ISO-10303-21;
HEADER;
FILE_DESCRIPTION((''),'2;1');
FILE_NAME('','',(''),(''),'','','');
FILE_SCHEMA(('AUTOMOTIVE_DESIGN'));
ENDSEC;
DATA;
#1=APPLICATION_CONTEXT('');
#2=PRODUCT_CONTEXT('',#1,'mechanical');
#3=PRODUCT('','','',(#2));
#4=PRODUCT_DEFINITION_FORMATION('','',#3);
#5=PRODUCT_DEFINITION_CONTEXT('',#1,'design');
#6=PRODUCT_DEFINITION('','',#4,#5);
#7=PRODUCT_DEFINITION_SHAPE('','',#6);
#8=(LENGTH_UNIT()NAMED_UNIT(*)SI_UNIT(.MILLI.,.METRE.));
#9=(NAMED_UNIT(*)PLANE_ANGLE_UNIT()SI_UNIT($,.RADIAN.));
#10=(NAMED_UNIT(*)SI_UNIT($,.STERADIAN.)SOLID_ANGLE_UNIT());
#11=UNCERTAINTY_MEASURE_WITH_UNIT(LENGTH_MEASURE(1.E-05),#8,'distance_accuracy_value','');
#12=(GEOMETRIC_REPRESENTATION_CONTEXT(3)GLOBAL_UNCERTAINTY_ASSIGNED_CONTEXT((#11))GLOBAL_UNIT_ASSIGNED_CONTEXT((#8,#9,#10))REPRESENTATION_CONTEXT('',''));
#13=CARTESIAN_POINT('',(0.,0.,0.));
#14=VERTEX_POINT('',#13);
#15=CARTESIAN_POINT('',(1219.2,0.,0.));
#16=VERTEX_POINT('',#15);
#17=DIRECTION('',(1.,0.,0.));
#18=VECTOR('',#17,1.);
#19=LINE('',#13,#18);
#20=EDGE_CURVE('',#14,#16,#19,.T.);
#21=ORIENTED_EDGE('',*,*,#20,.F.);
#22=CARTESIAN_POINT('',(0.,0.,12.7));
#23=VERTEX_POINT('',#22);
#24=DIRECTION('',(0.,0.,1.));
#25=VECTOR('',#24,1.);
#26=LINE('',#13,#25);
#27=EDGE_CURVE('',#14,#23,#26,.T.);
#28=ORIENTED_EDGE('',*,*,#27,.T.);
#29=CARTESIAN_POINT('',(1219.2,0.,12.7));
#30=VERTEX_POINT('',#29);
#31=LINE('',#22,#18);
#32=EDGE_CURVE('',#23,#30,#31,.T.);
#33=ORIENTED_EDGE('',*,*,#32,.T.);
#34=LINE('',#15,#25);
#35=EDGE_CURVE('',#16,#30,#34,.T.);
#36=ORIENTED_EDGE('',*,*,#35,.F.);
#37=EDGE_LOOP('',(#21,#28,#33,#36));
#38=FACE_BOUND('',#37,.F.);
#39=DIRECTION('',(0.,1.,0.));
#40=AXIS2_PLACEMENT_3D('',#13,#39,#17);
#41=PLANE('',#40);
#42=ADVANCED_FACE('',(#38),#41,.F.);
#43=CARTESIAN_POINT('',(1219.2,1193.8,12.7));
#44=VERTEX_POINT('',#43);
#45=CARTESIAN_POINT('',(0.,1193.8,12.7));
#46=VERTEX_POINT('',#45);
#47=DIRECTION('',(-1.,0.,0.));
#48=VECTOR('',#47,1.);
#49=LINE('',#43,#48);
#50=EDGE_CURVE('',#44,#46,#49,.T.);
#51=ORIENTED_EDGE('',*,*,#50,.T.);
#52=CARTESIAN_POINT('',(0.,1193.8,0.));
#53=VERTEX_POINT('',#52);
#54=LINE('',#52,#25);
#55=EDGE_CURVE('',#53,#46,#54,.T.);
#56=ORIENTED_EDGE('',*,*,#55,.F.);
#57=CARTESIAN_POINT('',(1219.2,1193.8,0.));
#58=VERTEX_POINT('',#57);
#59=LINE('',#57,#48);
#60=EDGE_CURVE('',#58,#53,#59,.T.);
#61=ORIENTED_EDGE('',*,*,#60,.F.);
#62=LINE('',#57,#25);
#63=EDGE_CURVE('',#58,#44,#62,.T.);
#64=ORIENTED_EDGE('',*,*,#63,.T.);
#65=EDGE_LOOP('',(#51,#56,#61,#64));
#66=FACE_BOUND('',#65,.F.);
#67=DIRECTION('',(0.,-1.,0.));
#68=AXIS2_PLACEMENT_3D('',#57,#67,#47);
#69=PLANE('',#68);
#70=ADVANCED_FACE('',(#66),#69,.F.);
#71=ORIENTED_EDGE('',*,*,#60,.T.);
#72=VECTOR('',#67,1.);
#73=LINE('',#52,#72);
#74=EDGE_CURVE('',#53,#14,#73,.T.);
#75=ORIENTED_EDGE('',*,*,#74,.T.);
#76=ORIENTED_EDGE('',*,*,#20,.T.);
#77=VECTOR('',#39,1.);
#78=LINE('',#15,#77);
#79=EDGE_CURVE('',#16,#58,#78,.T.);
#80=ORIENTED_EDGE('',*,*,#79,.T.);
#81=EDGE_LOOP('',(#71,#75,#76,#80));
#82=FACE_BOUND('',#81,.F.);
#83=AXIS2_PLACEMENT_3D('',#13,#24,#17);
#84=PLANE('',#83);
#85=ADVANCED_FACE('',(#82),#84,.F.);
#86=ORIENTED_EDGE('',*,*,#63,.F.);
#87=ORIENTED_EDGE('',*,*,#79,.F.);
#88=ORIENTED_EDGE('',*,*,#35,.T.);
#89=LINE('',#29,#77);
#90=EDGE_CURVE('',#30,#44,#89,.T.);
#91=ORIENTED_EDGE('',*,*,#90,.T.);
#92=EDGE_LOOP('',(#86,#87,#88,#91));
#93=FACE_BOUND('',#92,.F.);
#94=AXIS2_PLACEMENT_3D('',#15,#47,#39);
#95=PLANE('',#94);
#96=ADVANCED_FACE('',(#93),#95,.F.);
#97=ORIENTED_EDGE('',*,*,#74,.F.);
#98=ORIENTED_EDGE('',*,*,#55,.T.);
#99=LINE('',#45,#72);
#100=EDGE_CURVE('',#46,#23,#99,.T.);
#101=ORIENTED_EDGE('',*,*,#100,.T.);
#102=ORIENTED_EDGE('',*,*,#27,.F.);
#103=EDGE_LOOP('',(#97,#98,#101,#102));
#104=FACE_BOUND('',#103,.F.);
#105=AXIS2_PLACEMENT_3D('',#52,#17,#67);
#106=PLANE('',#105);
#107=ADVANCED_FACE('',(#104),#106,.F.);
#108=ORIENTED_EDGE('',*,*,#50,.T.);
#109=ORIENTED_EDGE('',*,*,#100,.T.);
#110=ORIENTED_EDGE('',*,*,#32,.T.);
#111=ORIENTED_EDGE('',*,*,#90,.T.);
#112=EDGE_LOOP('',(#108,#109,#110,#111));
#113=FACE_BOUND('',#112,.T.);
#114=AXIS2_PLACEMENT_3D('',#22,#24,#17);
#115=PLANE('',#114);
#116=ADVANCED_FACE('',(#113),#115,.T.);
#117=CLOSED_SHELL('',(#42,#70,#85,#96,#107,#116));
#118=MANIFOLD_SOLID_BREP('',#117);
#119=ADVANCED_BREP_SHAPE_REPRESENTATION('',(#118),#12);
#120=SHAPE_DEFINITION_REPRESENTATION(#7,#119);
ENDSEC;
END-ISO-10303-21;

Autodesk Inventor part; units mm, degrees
ref_plane "YZ Plane" through (0, 0, 0) normal (1, 0, 0) x (0, 1, 0)
ref_plane "XZ Plane" through (0, 0, 0) normal (0, 1, 0) x (-1, 0, 0)
ref_plane "XY Plane" through (0, 0, 0) normal (0, 0, 1) x (1, 0, 0)
sketch "Sketch1" plane through (0, 0, 0) normal (0, 0, 1) x (1, 0, 0)
  line L0 (0, 0) -> (1219.2, 0)
  line L1 (1219.2, 0) -> (1219.2, 1193.8)
  line L2 (1219.2, 1193.8) -> (0, 1193.8)
  line L3 (0, 1193.8) -> (0, 0)
  dimension "d0" = 1193.8
  dimension "d1" = 1219.2
extrude "Extrusion1" add sketch "Sketch1" along normal blind 12.7
sketch "Sketch2" plane through (0, 0, 0) normal (0, 0, -1) x (-1, 0, 0)
  line L0 (-1219.2, 0) -> (-1219.2, 1193.8) projected
  line L1 (-1689.1, 1117.6) -> (541.6516, 1117.6) construction
  line L2 (541.6516, 1117.6) -> (541.6516, 76.2) construction
  line L3 (541.6516, 76.2) -> (-1689.1, 76.2) construction
  line L4 (-1689.1, 76.2) -> (-1689.1, 1117.6) construction
  line L5 (0, 0) -> (-1219.2, 0) projected
  line L6 (-1219.2, 1193.8) -> (0, 1193.8) projected
  dimension "d24" = 76.2
  dimension "d32" = 76.2
  dimension "d38" = 2230.7516
  dimension "d39" = 469.9
decal "Decal1"
properties part number "logo"
